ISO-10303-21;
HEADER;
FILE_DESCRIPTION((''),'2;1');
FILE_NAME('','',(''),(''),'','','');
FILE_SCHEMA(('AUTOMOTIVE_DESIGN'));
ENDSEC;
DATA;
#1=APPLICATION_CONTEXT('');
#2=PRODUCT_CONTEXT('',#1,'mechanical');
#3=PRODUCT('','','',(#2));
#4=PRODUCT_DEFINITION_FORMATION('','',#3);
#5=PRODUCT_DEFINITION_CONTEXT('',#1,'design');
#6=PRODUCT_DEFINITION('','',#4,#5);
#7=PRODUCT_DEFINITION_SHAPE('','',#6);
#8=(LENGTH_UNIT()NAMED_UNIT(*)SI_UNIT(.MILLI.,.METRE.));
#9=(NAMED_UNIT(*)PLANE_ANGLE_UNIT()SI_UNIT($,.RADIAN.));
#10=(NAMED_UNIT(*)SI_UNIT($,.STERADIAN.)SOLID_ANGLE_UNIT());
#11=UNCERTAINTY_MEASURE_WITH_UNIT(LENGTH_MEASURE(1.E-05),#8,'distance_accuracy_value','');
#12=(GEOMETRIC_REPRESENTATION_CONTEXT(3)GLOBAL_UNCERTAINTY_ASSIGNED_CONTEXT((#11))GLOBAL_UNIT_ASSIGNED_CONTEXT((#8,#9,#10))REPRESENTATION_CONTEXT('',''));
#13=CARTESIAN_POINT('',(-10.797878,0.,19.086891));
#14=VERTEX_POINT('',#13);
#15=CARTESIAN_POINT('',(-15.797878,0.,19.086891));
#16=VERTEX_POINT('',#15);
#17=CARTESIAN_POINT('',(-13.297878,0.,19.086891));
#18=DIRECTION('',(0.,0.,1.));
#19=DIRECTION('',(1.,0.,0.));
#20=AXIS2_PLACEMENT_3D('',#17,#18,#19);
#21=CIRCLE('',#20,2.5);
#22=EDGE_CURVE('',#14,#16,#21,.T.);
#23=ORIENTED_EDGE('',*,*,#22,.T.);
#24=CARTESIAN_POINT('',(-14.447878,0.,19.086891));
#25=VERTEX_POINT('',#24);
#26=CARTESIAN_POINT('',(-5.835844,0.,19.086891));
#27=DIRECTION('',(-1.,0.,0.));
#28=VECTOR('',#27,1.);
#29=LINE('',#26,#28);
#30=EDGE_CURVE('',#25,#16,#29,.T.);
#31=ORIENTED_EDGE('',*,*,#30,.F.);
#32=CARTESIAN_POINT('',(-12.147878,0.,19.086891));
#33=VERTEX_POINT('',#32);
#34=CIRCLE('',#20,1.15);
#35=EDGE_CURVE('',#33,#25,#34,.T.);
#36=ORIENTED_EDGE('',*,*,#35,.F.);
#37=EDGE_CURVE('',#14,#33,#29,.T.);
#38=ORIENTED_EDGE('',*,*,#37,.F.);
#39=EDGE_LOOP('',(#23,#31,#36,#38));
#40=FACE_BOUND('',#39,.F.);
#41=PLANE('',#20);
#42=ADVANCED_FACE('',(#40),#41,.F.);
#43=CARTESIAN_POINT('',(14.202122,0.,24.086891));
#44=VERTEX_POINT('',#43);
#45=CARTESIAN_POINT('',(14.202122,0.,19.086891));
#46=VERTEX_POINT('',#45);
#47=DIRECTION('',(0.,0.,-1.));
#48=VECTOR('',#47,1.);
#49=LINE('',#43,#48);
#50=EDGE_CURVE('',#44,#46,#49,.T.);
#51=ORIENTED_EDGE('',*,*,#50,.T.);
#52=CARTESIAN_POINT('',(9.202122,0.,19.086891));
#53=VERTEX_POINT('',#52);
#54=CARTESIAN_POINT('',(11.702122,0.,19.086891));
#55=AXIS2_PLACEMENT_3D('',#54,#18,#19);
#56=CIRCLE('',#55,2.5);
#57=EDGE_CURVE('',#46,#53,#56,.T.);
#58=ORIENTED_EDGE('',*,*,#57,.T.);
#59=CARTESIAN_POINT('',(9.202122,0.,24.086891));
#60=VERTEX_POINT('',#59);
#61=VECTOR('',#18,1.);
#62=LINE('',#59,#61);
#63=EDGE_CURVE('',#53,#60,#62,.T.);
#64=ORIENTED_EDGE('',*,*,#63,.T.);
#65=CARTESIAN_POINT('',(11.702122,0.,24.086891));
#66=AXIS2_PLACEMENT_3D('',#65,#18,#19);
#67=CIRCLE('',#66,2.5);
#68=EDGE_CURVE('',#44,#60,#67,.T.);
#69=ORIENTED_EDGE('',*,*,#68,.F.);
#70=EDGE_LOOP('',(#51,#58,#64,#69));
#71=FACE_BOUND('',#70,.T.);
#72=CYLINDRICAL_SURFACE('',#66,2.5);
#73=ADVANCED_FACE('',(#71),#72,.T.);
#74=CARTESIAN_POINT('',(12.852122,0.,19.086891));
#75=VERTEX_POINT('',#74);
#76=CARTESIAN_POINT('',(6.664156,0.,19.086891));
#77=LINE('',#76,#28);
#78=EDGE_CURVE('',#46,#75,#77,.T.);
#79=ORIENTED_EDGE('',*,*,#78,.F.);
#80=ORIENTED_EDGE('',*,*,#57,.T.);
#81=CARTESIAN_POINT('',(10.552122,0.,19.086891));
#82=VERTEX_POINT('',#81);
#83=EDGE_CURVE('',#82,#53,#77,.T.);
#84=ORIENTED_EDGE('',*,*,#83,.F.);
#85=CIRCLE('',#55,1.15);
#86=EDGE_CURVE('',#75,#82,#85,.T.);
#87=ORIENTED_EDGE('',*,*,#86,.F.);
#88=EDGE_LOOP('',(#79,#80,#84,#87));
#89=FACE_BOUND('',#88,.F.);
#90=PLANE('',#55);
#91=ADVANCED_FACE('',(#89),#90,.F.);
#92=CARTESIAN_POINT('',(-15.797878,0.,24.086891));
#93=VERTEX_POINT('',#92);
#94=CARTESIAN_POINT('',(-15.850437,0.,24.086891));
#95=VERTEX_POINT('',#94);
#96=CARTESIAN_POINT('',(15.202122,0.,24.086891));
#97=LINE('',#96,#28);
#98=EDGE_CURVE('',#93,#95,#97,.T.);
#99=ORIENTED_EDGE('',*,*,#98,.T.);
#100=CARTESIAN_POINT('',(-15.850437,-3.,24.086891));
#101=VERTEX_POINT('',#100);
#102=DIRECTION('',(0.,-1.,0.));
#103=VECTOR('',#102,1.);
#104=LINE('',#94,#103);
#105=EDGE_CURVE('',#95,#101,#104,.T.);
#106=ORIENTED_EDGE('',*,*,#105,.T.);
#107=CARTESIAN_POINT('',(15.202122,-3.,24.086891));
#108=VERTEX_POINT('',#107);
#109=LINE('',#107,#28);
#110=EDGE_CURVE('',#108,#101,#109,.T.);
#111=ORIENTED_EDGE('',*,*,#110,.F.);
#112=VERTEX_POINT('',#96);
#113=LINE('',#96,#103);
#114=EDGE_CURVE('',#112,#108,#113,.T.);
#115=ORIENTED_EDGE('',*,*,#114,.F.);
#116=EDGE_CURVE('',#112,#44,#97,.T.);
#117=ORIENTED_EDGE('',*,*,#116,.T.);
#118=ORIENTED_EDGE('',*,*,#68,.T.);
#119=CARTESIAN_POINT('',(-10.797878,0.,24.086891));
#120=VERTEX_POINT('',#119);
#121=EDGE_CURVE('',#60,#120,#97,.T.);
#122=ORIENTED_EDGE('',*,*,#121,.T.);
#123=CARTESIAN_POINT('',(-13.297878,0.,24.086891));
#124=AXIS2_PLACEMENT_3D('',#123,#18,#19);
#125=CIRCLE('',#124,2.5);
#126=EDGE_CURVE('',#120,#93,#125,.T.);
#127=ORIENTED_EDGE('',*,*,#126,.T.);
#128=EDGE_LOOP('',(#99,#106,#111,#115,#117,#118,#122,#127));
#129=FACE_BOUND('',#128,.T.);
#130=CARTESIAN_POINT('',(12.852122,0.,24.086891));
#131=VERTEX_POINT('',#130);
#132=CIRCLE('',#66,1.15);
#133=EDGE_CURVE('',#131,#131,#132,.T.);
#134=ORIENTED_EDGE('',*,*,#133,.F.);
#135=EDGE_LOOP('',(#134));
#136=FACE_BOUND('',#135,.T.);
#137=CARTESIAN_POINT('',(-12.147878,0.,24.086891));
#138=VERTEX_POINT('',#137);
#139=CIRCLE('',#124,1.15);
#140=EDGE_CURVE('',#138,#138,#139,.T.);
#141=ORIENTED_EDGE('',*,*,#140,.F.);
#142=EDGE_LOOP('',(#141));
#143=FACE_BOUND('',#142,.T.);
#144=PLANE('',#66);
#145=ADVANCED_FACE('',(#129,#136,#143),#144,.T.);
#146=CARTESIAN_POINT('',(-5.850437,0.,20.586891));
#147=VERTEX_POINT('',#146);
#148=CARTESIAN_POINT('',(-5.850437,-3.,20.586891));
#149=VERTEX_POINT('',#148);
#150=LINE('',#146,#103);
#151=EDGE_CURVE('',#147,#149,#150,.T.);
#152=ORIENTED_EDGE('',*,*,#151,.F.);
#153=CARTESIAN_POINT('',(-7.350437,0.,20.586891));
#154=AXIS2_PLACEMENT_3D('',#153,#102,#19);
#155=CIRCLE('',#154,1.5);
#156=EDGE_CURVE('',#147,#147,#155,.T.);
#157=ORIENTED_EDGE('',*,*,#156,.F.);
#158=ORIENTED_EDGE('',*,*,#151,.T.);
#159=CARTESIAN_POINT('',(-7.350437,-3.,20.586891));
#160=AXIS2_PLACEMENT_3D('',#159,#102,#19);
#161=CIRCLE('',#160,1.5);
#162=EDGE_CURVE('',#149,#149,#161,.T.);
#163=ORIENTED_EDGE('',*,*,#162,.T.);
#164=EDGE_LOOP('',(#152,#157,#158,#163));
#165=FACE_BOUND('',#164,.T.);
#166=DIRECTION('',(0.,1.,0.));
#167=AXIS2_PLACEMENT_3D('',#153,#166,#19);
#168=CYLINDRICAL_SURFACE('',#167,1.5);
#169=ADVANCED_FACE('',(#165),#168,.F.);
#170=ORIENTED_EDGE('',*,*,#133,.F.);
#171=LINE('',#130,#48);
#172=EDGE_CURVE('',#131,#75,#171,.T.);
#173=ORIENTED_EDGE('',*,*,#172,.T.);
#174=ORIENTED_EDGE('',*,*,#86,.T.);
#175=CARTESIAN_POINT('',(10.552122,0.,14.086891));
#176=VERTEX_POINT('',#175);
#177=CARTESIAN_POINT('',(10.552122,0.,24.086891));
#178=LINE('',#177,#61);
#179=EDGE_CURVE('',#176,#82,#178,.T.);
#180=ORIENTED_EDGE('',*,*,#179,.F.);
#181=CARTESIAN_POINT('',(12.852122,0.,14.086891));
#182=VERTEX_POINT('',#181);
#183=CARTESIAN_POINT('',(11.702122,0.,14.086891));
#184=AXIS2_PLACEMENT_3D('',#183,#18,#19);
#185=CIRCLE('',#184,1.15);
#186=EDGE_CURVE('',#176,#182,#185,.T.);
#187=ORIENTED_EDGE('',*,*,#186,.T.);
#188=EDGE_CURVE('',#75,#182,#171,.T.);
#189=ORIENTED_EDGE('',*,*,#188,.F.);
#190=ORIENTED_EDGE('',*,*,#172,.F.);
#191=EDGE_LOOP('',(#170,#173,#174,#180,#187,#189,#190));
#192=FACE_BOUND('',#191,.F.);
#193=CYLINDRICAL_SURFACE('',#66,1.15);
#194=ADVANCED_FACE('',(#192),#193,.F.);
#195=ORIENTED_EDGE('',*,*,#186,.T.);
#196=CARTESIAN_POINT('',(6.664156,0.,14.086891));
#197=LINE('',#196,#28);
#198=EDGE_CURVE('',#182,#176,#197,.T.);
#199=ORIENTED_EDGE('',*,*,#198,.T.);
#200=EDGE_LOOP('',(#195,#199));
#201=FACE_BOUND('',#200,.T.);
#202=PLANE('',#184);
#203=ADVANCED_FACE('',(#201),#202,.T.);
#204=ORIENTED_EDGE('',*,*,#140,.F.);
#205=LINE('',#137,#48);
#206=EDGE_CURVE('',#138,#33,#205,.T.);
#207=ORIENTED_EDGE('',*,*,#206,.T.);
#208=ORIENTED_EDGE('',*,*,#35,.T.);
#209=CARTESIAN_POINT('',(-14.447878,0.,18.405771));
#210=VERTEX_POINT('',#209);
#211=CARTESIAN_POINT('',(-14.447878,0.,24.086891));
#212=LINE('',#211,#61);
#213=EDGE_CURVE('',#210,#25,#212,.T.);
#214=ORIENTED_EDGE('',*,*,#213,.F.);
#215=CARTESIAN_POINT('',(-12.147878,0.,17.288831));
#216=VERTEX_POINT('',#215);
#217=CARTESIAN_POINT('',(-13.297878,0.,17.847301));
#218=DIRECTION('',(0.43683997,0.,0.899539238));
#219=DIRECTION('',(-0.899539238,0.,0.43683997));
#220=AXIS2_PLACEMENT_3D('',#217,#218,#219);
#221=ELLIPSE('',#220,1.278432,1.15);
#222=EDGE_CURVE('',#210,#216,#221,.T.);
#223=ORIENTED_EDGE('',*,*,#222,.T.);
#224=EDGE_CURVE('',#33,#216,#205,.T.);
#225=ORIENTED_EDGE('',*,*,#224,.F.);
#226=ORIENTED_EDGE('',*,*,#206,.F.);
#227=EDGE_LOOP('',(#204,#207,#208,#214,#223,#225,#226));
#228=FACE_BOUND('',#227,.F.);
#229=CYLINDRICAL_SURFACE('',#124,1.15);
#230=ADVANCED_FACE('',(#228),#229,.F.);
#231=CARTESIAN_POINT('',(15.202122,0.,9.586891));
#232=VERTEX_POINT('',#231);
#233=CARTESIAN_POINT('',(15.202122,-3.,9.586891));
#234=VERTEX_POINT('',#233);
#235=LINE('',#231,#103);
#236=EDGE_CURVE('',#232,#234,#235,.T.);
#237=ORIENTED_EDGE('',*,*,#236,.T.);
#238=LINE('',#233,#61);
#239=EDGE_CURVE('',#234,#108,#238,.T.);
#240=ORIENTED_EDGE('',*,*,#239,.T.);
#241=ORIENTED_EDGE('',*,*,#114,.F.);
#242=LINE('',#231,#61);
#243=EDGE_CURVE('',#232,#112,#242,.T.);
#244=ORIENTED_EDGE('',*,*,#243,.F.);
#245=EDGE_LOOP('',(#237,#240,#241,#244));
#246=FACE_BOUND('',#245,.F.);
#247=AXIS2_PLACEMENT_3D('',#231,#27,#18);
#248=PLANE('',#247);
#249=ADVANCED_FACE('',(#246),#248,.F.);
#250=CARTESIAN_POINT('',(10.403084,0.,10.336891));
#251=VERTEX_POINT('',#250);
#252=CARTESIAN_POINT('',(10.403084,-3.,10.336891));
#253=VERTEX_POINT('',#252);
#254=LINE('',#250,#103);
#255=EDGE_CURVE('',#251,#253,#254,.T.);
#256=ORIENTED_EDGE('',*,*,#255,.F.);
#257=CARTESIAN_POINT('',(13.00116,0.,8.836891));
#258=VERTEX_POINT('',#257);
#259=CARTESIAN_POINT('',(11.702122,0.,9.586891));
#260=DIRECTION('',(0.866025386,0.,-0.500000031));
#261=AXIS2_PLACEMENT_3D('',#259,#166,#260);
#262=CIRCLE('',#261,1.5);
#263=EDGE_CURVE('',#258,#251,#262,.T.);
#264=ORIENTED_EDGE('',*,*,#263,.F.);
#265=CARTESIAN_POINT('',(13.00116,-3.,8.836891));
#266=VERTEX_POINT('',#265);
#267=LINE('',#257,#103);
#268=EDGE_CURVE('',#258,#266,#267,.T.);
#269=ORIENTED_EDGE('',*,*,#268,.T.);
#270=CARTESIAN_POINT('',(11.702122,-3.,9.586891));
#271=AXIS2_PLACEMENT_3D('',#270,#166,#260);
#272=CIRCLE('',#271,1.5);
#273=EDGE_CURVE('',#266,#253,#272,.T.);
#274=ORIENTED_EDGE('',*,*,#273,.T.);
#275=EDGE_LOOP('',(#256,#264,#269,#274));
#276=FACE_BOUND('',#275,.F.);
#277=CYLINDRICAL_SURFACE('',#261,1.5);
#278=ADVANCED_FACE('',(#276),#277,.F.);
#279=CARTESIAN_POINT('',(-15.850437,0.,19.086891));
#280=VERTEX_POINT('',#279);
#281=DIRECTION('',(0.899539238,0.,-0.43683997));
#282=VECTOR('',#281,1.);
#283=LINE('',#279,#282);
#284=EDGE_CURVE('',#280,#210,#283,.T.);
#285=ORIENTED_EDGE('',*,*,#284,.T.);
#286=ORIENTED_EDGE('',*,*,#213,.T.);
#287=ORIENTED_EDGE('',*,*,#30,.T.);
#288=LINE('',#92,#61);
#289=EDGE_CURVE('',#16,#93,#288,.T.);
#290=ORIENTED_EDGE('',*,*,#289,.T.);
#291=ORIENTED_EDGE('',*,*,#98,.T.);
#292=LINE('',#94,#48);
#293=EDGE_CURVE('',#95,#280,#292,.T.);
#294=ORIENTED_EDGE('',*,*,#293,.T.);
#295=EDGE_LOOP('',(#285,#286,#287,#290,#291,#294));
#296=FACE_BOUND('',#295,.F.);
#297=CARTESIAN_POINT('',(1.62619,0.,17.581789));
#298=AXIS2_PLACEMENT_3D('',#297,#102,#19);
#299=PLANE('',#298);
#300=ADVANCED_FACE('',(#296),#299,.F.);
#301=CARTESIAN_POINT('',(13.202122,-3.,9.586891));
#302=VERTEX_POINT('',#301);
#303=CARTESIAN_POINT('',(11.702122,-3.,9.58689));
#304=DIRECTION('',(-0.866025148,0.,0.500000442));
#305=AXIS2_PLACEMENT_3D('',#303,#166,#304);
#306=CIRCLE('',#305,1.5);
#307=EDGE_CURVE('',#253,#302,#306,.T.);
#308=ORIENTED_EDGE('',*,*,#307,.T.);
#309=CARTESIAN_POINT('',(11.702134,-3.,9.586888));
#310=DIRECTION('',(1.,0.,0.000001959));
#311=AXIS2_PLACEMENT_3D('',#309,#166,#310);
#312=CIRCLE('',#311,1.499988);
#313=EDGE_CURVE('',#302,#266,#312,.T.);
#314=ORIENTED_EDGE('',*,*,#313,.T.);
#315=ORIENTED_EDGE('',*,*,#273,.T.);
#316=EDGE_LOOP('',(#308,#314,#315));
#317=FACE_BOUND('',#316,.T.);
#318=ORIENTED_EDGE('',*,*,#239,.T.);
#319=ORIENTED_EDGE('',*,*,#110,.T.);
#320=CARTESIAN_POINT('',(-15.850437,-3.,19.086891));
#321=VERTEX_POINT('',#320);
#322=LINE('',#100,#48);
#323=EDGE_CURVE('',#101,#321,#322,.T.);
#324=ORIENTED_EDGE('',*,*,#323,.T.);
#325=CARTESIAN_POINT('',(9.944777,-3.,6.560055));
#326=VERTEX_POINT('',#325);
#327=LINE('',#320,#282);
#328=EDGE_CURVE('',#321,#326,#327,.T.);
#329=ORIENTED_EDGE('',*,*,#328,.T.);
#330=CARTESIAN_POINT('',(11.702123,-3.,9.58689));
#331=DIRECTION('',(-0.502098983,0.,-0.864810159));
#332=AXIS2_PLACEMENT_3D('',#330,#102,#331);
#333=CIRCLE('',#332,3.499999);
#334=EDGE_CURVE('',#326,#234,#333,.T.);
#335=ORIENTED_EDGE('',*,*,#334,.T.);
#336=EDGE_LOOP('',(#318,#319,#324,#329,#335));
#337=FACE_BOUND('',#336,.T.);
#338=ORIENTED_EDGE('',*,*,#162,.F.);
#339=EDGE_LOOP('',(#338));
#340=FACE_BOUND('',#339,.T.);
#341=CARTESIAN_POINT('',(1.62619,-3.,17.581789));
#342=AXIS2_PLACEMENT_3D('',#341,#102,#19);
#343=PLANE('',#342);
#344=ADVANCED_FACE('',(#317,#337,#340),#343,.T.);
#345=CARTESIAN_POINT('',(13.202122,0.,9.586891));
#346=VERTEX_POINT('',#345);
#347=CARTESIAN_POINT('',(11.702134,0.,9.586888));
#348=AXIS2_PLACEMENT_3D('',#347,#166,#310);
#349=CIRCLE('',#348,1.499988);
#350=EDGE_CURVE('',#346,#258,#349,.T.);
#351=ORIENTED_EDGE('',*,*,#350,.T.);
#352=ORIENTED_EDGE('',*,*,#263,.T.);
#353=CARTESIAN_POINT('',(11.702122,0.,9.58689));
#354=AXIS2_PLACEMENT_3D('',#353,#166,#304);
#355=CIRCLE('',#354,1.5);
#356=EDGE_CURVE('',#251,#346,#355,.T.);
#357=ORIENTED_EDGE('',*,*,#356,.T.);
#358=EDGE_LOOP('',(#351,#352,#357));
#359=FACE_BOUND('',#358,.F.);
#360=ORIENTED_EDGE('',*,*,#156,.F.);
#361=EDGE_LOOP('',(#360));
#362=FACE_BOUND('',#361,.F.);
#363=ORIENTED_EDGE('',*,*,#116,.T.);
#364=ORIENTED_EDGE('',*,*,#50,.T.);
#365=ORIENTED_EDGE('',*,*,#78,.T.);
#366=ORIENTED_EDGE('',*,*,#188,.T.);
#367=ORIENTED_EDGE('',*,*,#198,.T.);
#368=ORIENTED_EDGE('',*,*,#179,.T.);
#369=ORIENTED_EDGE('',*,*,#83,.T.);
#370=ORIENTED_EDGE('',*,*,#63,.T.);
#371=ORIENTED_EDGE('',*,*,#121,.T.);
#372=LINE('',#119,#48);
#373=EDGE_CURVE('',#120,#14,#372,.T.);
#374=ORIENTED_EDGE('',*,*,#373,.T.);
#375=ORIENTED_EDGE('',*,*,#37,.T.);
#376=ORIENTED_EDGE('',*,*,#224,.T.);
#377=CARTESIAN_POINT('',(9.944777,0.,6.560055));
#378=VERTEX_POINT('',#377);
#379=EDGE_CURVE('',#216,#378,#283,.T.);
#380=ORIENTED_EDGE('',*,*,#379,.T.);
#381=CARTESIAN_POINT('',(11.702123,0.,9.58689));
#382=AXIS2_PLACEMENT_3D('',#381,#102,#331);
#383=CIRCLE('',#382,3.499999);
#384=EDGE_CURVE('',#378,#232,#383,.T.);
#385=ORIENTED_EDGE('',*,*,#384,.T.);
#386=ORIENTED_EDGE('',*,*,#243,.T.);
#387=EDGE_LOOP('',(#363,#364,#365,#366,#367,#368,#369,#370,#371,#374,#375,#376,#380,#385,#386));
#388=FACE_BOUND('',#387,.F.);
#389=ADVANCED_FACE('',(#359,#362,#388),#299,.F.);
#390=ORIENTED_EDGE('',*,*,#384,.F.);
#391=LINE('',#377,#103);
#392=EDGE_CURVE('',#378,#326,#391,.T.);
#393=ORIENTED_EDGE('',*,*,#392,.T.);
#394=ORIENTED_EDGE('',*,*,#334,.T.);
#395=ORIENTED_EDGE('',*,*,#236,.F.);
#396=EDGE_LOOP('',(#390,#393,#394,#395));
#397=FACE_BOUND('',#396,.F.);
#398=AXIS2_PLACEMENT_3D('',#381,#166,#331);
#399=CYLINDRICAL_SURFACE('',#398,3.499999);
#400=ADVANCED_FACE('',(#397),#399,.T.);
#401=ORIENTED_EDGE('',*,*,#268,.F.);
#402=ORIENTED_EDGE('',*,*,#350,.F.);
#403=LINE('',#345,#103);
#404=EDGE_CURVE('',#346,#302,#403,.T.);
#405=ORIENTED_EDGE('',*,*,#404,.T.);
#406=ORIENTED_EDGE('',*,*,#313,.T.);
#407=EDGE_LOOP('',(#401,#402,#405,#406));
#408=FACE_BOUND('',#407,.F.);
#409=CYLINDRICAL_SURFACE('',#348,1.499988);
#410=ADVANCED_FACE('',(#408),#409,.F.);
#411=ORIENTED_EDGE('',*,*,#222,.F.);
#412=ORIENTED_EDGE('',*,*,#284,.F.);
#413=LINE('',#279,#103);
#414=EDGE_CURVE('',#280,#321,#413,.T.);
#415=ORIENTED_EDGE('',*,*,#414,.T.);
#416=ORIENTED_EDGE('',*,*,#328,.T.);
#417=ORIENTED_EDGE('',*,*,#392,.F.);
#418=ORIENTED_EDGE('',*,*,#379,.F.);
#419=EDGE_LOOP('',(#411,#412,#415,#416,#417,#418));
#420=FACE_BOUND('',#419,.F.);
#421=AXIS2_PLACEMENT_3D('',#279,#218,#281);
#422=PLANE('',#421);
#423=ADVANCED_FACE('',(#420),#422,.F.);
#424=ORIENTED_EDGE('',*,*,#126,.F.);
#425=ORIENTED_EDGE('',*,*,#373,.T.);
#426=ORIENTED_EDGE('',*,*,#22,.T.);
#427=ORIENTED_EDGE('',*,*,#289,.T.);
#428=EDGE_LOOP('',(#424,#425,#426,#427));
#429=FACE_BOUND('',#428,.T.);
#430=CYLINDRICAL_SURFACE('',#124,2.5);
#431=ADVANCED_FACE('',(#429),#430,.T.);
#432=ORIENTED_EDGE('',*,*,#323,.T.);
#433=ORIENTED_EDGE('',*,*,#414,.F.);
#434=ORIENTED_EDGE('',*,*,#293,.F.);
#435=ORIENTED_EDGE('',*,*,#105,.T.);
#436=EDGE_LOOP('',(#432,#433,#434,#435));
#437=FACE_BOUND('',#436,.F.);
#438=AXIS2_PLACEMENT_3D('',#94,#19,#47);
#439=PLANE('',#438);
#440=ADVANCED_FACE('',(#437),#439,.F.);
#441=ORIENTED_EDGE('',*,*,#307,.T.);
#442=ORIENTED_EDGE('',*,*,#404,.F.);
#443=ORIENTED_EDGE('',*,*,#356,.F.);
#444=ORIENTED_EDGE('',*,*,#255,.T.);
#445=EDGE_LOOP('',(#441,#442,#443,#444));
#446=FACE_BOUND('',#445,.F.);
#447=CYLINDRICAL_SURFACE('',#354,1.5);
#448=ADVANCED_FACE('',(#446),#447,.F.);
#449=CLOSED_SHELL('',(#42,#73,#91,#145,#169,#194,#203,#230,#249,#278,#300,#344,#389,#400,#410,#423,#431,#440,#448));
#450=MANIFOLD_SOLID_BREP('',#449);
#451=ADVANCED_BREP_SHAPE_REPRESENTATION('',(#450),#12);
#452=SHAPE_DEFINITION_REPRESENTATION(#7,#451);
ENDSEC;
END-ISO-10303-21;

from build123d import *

# Parameters (mm, degrees)
F0_R     = 1.5
F1_DEPTH = 3
F2_R     = 2.5
F3_DEPTH = 5
F4_R     = 1.15
F5_DEPTH = 10


with BuildPart() as f1:
    # F0 (on Front) → F1 (new body)
    with BuildSketch(Plane.XZ):
        with BuildLine():
            Line((-15.850437, 19.086891), (9.944777, 6.560055))
            ThreePointArc((9.944777, 6.560055), (13.448446, 6.553682), (15.202122, 9.586891))
            Line((15.202122, 9.586891), (15.202122, 24.086891))
            Line((15.202122, 24.086891), (-10.850437, 24.086891))
            Line((-10.850437, 24.086891), (-15.850437, 24.086891))
            Line((-15.850437, 24.086891), (-15.850437, 19.086891))
        make_face()
        with BuildLine():
            ThreePointArc((13.00116, 8.836891), (10.952122, 8.287853), (10.403084, 10.336891))
            ThreePointArc((10.403084, 10.336891), (12.090351, 11.035779), (13.202122, 9.586891))
            ThreePointArc((13.202122, 9.586891), (13.151011, 9.198662), (13.00116, 8.836891))
        make_face(mode=Mode.SUBTRACT)
        with Locations((-7.350437, 20.586891)):
            Circle(F0_R, mode=Mode.SUBTRACT)
    extrude(amount=F1_DEPTH)

    # F2 (on face) → F3 (join)
    with BuildSketch(Plane.XY.offset(24.086891)):
        with Locations((11.702122, 0)):
            Circle(F2_R)
        with Locations((-13.297878, 0)):
            Circle(F2_R)
    extrude(amount=-F3_DEPTH)

    # F4 (on face) → F5 (cut)
    with BuildSketch(Plane.XY.offset(24.086891)):
        with Locations((11.702122, 0)):
            Circle(F4_R)
        with Locations((-13.297878, 0)):
            Circle(F4_R)
    extrude(amount=-F5_DEPTH, mode=Mode.SUBTRACT)


solid = f1.part
